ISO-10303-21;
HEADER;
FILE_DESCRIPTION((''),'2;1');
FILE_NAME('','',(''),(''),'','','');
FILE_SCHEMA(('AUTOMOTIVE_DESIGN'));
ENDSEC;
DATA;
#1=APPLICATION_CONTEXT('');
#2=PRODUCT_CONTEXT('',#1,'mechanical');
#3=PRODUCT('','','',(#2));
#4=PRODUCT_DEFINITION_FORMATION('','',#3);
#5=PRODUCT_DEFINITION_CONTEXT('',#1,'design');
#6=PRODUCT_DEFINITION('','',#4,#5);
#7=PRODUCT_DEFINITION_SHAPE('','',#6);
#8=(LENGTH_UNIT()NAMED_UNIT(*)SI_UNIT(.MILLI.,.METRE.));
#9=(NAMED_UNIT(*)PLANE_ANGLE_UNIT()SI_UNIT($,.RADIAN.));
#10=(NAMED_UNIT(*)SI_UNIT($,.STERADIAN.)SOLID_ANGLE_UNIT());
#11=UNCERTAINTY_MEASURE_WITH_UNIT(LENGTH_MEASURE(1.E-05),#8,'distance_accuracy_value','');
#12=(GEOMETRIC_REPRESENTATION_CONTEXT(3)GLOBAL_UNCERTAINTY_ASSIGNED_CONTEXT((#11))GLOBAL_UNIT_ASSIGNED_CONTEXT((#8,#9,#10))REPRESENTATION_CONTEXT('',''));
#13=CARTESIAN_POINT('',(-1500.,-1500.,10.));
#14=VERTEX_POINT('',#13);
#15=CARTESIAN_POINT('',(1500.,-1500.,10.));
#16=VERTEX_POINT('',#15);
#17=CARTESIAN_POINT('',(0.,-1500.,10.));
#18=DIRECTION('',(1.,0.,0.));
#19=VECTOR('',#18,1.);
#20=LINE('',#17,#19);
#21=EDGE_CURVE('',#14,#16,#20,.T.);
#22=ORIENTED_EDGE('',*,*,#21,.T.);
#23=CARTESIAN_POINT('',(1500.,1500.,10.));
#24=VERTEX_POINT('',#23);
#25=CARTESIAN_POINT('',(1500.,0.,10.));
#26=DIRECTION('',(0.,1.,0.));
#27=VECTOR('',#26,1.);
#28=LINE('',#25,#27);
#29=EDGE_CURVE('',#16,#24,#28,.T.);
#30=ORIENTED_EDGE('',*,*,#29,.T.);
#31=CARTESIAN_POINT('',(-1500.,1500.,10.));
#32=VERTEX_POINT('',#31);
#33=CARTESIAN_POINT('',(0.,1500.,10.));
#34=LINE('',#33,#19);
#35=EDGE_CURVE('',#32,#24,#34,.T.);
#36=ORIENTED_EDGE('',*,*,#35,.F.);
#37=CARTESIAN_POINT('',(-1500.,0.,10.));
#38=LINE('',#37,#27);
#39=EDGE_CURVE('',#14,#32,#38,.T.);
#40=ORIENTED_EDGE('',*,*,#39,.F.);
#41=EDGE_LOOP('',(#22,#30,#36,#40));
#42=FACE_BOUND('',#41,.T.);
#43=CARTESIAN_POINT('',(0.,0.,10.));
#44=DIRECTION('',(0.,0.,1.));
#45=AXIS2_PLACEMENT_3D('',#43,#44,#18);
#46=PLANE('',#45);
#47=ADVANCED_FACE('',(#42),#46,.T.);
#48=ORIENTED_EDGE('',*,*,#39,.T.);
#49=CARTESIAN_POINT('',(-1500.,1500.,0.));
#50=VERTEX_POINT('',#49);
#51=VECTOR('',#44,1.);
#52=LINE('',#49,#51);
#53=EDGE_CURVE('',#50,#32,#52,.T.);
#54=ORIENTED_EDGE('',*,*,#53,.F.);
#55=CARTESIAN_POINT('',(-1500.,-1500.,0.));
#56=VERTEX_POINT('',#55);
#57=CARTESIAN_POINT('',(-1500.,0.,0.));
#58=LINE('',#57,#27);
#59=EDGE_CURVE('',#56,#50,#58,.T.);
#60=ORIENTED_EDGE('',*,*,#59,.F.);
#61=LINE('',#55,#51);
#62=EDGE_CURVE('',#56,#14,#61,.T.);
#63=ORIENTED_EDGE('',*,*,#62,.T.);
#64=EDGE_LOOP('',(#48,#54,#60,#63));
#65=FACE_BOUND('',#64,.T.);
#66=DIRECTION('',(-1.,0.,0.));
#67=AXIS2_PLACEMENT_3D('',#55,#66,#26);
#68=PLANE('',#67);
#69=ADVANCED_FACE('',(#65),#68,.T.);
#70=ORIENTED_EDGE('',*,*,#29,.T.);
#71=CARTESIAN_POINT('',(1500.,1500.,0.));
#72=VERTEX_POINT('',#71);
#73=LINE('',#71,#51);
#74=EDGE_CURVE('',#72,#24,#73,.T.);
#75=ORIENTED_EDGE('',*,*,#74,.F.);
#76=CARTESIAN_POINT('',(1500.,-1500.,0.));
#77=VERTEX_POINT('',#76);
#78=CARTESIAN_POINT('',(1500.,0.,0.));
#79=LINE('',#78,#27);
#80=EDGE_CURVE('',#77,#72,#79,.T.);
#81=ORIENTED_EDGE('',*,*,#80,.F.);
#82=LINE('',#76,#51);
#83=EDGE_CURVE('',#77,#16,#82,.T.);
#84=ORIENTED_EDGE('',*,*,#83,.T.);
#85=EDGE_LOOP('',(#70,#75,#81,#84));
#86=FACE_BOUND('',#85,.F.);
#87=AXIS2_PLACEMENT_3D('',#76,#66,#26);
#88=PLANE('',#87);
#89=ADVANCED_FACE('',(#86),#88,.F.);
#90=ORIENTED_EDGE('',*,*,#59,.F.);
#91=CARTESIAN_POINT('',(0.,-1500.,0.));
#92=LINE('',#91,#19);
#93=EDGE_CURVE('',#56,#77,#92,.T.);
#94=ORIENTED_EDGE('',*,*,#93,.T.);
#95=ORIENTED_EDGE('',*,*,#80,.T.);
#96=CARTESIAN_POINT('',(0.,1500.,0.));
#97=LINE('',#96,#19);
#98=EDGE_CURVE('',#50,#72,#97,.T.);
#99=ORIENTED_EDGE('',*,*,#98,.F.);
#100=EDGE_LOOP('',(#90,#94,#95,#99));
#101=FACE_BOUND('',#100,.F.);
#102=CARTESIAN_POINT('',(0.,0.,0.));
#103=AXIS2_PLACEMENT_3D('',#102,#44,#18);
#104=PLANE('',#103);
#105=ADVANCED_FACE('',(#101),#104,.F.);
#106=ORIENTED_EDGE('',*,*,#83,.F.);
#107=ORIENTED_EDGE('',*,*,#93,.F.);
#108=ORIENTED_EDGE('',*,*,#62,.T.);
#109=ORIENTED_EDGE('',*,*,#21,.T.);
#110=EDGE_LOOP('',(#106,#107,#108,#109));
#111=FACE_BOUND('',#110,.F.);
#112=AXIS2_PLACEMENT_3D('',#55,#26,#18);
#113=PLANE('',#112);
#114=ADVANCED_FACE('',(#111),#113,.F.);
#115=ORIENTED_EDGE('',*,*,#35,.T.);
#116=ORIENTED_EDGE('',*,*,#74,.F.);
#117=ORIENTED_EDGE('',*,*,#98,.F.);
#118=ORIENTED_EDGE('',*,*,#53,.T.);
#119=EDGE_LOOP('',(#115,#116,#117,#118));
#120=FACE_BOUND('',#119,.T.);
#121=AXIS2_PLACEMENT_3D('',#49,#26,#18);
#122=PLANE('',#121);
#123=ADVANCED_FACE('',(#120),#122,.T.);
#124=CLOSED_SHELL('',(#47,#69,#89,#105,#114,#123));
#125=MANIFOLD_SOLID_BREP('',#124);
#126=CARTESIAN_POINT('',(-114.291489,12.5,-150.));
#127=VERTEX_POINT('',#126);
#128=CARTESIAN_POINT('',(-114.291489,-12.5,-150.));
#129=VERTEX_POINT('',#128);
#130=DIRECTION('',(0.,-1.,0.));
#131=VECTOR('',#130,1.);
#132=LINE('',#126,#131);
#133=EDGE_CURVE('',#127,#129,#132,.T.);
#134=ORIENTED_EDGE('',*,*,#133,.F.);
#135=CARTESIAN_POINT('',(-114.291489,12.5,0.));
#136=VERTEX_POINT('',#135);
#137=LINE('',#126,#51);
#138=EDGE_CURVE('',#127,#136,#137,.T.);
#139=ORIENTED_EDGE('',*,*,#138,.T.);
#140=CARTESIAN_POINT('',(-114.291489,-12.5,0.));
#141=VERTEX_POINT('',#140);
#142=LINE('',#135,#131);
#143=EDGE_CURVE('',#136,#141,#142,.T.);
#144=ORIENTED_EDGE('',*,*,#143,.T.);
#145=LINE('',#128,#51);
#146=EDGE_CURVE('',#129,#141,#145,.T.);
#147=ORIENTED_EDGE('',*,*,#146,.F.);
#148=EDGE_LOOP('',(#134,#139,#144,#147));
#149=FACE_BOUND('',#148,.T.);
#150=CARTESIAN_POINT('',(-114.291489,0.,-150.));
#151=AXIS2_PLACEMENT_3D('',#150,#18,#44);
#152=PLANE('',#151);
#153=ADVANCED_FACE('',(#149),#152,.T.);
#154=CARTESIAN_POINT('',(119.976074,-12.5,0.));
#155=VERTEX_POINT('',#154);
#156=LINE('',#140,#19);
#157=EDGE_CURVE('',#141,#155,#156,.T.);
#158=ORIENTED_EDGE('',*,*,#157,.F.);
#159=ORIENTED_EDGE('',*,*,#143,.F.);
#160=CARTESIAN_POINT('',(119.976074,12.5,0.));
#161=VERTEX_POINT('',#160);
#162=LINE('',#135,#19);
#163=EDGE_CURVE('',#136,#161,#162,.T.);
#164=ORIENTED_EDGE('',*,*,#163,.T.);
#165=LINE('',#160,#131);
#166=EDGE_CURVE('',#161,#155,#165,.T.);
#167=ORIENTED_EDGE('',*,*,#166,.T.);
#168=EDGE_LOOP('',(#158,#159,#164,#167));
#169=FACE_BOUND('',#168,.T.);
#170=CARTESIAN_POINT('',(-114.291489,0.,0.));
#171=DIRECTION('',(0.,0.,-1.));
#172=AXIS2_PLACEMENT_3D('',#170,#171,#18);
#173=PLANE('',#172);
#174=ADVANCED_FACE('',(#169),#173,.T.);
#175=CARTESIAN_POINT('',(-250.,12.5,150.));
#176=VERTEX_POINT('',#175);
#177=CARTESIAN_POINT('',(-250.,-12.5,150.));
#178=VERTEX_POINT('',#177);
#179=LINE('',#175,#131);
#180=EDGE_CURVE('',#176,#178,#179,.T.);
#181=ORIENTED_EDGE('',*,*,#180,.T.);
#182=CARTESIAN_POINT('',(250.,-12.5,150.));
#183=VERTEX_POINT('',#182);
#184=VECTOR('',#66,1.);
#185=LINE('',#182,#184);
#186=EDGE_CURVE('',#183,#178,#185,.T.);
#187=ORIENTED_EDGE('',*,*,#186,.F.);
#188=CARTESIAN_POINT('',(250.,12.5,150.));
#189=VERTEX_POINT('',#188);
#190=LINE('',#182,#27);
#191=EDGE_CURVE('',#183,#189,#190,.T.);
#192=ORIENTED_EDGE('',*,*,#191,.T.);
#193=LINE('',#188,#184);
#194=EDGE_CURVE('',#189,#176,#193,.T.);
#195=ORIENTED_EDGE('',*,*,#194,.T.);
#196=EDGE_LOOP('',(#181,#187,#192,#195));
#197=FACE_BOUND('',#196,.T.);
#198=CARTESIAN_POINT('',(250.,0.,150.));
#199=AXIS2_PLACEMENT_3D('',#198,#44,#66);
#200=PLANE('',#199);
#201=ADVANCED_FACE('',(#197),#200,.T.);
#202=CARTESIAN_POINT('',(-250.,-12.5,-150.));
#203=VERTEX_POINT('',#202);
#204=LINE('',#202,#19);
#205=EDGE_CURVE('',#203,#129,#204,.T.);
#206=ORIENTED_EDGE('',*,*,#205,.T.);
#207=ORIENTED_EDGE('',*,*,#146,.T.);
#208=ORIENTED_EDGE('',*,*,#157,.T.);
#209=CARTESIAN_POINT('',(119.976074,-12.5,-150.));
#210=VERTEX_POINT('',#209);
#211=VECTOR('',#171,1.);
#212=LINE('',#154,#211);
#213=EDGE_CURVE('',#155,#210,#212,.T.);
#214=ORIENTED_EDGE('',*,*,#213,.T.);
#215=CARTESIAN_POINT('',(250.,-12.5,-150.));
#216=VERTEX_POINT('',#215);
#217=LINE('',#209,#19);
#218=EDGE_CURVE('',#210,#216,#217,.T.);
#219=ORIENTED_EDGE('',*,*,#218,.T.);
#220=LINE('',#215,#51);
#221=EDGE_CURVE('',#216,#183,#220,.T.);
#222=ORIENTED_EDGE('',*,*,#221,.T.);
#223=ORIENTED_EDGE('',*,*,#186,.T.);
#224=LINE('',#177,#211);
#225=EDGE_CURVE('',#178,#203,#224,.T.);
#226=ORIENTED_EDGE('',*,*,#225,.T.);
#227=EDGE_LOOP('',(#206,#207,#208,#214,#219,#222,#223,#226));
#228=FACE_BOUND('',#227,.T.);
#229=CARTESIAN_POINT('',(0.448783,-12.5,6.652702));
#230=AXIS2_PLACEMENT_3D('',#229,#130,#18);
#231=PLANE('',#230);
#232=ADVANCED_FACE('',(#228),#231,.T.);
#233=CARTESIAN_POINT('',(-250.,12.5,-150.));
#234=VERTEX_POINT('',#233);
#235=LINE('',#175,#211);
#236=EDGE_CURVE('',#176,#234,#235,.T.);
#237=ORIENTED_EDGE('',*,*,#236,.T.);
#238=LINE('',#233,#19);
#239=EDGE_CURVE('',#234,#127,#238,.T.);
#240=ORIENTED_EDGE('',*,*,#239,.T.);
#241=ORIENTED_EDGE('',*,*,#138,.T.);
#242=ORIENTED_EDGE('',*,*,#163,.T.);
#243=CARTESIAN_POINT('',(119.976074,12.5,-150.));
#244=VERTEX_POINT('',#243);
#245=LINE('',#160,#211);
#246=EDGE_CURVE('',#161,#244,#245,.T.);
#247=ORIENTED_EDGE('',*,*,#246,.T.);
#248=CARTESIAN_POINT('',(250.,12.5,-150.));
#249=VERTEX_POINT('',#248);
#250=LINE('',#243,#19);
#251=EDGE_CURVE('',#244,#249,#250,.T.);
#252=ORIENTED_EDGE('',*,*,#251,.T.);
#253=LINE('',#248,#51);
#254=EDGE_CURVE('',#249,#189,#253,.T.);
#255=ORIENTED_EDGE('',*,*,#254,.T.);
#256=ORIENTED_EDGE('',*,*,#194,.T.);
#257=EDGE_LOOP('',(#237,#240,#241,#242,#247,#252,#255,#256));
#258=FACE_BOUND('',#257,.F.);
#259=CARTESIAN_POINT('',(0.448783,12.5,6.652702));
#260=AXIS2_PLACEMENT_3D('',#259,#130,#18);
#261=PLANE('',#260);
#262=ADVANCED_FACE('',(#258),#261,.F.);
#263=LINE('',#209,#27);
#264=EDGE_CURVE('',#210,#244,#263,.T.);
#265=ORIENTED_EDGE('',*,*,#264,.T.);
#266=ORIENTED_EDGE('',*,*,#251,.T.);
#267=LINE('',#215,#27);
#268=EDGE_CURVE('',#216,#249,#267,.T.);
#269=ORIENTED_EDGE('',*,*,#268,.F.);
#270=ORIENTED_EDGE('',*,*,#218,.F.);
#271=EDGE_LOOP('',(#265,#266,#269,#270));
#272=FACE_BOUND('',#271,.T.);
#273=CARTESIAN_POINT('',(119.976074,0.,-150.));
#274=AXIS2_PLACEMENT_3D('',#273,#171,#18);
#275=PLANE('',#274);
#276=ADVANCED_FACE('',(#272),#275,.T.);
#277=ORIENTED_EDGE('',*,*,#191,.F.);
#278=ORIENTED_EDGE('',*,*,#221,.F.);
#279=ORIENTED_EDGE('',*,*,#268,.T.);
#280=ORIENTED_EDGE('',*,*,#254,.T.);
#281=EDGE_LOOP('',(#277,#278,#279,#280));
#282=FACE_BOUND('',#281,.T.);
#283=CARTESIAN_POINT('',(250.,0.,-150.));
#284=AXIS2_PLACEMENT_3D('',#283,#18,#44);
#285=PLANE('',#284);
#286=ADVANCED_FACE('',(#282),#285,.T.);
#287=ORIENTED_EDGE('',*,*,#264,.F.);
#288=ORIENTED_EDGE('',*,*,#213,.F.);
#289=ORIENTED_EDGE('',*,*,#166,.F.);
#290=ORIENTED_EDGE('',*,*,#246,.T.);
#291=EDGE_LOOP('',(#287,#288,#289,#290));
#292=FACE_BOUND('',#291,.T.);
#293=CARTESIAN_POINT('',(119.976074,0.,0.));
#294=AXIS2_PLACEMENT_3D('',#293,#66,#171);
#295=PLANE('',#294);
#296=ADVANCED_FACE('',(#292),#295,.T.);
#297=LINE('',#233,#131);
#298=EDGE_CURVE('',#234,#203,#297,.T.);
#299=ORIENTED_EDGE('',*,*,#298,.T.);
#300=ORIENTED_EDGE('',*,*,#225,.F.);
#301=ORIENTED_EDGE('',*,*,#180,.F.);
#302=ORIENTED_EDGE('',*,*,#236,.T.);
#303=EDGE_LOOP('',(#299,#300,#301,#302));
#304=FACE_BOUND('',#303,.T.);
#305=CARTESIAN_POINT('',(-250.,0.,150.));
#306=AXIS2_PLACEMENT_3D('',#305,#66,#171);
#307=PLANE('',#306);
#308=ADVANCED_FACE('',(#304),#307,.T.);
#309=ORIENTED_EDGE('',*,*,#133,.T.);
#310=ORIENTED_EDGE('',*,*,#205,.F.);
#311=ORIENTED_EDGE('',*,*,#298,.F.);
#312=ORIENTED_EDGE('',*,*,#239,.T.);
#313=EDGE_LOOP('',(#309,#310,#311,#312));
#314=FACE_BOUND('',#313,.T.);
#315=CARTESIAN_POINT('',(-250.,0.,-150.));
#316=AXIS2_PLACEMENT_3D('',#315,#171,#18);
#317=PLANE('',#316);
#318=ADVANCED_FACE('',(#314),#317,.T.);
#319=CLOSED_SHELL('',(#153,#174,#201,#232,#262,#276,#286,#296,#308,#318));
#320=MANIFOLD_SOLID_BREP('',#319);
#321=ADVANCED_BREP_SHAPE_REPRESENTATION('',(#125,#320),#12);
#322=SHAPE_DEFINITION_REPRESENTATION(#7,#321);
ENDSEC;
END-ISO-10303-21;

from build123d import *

# Parameters (mm, degrees)
F0_W     = 3000
F0_H     = 3000
F1_DEPTH = 10
F3_DEPTH = 12.5


with BuildPart() as f1:
    # F0 (on Top) → F1 (new body)
    with BuildSketch(Plane.XY):
        Rectangle(F0_W, F0_H)
    extrude(amount=F1_DEPTH)


with BuildPart() as f3:
    # F2 (on Front) → F3 (new body, symmetric)
    with BuildSketch(Plane.XZ):
        Polygon((250, 150), (-250, 150), (-250, -150), (-114.291489, -150), (-114.291489, 0), (119.976074, 0), (119.976074, -150), (250, -150), align=None)
    extrude(amount=F3_DEPTH, both=True)


solid = Compound([f1.part, f3.part])
